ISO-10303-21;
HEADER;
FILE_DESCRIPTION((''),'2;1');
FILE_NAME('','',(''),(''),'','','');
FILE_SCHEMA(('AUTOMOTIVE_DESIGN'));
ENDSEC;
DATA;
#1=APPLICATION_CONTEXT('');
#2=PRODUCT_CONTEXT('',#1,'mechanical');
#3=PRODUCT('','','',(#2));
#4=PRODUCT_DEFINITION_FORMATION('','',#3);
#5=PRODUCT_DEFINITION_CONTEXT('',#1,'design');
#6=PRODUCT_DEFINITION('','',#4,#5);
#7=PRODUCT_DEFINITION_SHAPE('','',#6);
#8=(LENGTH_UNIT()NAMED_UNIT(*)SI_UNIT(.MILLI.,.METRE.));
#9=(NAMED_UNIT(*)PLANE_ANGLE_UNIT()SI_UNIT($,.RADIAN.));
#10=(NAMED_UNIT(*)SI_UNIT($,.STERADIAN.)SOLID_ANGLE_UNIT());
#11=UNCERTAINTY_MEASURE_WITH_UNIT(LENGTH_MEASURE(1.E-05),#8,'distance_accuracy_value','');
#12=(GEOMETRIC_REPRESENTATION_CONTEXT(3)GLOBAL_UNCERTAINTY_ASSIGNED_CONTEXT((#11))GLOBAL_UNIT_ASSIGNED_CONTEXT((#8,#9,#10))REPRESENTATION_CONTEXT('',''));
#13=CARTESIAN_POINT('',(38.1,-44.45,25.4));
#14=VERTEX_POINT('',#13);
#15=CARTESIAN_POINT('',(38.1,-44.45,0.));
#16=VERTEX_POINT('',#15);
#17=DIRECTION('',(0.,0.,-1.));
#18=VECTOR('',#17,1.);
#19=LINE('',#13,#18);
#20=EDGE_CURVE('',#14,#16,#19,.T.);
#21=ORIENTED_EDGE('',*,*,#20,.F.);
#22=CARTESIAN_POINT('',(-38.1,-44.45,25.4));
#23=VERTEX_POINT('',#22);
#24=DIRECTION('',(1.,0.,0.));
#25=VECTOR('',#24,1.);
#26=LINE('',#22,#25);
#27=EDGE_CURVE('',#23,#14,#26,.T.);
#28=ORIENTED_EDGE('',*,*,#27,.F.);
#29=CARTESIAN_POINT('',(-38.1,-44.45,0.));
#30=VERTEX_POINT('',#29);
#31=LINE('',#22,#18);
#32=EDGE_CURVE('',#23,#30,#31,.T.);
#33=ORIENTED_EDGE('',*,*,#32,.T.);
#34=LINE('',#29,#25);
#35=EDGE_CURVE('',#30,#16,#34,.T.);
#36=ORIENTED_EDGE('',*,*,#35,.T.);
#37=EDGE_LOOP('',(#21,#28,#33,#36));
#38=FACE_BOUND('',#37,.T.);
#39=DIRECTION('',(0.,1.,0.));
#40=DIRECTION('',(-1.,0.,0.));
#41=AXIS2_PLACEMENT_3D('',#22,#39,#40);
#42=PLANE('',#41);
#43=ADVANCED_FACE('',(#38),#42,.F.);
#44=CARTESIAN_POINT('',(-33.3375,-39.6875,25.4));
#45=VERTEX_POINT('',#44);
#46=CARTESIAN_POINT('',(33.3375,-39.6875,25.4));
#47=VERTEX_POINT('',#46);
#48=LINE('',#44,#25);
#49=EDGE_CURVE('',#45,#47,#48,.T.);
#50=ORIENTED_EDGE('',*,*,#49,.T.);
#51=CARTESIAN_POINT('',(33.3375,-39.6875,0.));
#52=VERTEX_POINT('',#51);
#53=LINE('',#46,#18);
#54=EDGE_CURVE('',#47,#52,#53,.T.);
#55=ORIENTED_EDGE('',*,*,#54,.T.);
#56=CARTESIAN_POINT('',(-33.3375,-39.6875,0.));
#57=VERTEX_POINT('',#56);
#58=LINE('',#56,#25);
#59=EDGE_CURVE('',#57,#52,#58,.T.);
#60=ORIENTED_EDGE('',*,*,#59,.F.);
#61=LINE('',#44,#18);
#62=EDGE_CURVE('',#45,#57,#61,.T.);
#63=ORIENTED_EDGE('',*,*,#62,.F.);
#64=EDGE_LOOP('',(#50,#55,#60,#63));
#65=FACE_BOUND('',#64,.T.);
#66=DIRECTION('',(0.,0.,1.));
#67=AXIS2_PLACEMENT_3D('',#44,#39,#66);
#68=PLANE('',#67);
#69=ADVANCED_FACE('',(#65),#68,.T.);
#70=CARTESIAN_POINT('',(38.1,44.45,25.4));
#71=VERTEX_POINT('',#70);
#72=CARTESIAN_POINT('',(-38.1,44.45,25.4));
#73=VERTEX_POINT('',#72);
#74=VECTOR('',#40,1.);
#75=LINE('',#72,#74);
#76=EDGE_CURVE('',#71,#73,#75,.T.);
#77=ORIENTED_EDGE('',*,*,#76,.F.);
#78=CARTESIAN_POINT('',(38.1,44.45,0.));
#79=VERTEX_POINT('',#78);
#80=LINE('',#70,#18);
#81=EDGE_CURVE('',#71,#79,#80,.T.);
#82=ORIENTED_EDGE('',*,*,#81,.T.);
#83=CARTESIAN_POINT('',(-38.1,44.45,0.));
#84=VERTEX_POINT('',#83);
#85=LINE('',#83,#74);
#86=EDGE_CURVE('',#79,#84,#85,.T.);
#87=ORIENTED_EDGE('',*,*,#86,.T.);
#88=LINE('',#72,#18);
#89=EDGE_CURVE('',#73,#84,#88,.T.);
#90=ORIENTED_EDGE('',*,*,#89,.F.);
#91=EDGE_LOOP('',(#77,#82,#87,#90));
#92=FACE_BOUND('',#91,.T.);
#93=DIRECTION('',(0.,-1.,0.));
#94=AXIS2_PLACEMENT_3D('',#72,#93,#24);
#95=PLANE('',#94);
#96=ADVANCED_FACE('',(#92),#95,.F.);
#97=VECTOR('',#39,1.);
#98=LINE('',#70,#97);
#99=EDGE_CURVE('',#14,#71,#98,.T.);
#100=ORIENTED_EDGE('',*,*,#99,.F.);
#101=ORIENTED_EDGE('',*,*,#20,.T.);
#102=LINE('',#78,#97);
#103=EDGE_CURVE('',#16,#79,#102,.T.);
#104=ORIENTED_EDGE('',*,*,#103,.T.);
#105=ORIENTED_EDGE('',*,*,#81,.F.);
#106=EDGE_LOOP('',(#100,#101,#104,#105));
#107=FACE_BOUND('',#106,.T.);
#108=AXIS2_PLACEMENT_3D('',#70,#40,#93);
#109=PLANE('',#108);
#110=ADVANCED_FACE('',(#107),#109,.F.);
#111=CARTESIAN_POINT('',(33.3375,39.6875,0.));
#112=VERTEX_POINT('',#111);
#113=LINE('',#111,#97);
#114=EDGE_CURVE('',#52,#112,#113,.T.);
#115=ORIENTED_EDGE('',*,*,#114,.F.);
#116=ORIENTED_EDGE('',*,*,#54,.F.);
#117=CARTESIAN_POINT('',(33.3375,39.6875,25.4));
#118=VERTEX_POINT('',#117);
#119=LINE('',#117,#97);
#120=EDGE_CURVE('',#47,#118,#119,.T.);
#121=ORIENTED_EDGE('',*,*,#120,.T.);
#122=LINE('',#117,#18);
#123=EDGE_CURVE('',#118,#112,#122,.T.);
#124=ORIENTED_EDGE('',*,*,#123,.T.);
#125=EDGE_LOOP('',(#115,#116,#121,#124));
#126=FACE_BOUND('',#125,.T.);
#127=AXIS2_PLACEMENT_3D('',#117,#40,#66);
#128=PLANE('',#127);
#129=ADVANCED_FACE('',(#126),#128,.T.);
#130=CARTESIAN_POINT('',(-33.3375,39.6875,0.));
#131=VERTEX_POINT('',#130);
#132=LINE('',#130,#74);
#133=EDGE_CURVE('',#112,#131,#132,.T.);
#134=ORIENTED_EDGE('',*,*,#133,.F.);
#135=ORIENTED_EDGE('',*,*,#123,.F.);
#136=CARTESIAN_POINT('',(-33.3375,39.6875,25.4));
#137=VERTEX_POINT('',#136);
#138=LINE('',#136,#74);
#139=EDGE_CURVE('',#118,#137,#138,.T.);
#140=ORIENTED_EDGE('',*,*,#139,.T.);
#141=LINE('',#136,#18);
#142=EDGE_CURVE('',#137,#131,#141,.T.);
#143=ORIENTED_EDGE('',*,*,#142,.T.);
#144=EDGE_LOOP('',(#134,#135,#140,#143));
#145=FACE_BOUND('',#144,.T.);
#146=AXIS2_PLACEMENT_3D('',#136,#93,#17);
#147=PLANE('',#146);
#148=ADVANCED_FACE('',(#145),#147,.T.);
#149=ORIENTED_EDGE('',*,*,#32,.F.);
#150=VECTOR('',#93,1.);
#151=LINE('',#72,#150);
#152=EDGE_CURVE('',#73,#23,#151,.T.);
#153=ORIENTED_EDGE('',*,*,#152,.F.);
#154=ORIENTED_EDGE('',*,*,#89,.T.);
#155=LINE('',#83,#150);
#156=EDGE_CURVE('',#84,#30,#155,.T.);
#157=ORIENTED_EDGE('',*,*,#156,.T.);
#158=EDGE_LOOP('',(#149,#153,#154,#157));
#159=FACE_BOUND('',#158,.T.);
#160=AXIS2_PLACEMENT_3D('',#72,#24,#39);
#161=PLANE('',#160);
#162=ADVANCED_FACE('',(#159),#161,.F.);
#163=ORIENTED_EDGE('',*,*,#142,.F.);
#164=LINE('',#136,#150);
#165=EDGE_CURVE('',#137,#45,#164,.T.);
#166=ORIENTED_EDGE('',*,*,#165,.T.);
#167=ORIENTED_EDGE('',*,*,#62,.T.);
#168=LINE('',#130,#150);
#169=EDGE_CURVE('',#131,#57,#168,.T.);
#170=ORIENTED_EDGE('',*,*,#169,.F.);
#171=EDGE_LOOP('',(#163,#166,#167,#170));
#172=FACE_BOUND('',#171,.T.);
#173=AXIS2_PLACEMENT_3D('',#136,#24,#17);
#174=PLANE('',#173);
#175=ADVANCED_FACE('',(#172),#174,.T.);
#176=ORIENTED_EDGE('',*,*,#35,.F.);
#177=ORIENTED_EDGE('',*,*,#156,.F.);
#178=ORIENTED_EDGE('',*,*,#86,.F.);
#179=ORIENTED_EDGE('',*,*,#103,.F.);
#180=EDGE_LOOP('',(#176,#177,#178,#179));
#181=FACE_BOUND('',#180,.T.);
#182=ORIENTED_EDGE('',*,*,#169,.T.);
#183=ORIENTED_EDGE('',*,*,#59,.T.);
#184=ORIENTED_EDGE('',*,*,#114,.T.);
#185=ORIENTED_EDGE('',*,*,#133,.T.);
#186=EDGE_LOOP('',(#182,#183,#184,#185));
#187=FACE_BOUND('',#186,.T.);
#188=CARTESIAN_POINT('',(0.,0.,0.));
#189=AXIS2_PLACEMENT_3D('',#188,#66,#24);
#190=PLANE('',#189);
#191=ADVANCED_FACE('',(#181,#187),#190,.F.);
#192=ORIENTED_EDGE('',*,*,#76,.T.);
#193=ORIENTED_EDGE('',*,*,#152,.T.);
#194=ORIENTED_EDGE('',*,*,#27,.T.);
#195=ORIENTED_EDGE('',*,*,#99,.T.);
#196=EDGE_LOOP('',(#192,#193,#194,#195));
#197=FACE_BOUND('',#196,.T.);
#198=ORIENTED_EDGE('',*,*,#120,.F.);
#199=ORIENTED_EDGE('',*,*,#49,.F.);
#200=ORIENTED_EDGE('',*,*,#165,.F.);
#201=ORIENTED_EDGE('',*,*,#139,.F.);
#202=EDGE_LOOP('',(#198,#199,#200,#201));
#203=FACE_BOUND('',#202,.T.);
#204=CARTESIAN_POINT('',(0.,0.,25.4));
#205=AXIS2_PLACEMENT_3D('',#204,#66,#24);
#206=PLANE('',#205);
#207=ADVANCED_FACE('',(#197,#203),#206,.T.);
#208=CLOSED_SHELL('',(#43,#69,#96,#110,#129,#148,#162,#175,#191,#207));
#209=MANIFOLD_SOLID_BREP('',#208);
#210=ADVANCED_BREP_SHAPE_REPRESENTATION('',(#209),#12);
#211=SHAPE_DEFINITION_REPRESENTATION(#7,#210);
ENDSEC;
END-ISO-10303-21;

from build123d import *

# Parameters (mm, degrees)
SKETCH1_W           = 76.2
SKETCH1_H           = 88.9
SKETCH1_W_2         = 66.675
SKETCH1_H_2         = 79.375
BOSS_EXTRUDE1_DEPTH = 25.4


with BuildPart() as part:
    # Sketch1 → Boss-Extrude1 (new body)
    with BuildSketch(Plane.XY):
        Rectangle(SKETCH1_W, SKETCH1_H)
        Rectangle(SKETCH1_W_2, SKETCH1_H_2, mode=Mode.SUBTRACT)
    extrude(amount=BOSS_EXTRUDE1_DEPTH)


solid = part.part
